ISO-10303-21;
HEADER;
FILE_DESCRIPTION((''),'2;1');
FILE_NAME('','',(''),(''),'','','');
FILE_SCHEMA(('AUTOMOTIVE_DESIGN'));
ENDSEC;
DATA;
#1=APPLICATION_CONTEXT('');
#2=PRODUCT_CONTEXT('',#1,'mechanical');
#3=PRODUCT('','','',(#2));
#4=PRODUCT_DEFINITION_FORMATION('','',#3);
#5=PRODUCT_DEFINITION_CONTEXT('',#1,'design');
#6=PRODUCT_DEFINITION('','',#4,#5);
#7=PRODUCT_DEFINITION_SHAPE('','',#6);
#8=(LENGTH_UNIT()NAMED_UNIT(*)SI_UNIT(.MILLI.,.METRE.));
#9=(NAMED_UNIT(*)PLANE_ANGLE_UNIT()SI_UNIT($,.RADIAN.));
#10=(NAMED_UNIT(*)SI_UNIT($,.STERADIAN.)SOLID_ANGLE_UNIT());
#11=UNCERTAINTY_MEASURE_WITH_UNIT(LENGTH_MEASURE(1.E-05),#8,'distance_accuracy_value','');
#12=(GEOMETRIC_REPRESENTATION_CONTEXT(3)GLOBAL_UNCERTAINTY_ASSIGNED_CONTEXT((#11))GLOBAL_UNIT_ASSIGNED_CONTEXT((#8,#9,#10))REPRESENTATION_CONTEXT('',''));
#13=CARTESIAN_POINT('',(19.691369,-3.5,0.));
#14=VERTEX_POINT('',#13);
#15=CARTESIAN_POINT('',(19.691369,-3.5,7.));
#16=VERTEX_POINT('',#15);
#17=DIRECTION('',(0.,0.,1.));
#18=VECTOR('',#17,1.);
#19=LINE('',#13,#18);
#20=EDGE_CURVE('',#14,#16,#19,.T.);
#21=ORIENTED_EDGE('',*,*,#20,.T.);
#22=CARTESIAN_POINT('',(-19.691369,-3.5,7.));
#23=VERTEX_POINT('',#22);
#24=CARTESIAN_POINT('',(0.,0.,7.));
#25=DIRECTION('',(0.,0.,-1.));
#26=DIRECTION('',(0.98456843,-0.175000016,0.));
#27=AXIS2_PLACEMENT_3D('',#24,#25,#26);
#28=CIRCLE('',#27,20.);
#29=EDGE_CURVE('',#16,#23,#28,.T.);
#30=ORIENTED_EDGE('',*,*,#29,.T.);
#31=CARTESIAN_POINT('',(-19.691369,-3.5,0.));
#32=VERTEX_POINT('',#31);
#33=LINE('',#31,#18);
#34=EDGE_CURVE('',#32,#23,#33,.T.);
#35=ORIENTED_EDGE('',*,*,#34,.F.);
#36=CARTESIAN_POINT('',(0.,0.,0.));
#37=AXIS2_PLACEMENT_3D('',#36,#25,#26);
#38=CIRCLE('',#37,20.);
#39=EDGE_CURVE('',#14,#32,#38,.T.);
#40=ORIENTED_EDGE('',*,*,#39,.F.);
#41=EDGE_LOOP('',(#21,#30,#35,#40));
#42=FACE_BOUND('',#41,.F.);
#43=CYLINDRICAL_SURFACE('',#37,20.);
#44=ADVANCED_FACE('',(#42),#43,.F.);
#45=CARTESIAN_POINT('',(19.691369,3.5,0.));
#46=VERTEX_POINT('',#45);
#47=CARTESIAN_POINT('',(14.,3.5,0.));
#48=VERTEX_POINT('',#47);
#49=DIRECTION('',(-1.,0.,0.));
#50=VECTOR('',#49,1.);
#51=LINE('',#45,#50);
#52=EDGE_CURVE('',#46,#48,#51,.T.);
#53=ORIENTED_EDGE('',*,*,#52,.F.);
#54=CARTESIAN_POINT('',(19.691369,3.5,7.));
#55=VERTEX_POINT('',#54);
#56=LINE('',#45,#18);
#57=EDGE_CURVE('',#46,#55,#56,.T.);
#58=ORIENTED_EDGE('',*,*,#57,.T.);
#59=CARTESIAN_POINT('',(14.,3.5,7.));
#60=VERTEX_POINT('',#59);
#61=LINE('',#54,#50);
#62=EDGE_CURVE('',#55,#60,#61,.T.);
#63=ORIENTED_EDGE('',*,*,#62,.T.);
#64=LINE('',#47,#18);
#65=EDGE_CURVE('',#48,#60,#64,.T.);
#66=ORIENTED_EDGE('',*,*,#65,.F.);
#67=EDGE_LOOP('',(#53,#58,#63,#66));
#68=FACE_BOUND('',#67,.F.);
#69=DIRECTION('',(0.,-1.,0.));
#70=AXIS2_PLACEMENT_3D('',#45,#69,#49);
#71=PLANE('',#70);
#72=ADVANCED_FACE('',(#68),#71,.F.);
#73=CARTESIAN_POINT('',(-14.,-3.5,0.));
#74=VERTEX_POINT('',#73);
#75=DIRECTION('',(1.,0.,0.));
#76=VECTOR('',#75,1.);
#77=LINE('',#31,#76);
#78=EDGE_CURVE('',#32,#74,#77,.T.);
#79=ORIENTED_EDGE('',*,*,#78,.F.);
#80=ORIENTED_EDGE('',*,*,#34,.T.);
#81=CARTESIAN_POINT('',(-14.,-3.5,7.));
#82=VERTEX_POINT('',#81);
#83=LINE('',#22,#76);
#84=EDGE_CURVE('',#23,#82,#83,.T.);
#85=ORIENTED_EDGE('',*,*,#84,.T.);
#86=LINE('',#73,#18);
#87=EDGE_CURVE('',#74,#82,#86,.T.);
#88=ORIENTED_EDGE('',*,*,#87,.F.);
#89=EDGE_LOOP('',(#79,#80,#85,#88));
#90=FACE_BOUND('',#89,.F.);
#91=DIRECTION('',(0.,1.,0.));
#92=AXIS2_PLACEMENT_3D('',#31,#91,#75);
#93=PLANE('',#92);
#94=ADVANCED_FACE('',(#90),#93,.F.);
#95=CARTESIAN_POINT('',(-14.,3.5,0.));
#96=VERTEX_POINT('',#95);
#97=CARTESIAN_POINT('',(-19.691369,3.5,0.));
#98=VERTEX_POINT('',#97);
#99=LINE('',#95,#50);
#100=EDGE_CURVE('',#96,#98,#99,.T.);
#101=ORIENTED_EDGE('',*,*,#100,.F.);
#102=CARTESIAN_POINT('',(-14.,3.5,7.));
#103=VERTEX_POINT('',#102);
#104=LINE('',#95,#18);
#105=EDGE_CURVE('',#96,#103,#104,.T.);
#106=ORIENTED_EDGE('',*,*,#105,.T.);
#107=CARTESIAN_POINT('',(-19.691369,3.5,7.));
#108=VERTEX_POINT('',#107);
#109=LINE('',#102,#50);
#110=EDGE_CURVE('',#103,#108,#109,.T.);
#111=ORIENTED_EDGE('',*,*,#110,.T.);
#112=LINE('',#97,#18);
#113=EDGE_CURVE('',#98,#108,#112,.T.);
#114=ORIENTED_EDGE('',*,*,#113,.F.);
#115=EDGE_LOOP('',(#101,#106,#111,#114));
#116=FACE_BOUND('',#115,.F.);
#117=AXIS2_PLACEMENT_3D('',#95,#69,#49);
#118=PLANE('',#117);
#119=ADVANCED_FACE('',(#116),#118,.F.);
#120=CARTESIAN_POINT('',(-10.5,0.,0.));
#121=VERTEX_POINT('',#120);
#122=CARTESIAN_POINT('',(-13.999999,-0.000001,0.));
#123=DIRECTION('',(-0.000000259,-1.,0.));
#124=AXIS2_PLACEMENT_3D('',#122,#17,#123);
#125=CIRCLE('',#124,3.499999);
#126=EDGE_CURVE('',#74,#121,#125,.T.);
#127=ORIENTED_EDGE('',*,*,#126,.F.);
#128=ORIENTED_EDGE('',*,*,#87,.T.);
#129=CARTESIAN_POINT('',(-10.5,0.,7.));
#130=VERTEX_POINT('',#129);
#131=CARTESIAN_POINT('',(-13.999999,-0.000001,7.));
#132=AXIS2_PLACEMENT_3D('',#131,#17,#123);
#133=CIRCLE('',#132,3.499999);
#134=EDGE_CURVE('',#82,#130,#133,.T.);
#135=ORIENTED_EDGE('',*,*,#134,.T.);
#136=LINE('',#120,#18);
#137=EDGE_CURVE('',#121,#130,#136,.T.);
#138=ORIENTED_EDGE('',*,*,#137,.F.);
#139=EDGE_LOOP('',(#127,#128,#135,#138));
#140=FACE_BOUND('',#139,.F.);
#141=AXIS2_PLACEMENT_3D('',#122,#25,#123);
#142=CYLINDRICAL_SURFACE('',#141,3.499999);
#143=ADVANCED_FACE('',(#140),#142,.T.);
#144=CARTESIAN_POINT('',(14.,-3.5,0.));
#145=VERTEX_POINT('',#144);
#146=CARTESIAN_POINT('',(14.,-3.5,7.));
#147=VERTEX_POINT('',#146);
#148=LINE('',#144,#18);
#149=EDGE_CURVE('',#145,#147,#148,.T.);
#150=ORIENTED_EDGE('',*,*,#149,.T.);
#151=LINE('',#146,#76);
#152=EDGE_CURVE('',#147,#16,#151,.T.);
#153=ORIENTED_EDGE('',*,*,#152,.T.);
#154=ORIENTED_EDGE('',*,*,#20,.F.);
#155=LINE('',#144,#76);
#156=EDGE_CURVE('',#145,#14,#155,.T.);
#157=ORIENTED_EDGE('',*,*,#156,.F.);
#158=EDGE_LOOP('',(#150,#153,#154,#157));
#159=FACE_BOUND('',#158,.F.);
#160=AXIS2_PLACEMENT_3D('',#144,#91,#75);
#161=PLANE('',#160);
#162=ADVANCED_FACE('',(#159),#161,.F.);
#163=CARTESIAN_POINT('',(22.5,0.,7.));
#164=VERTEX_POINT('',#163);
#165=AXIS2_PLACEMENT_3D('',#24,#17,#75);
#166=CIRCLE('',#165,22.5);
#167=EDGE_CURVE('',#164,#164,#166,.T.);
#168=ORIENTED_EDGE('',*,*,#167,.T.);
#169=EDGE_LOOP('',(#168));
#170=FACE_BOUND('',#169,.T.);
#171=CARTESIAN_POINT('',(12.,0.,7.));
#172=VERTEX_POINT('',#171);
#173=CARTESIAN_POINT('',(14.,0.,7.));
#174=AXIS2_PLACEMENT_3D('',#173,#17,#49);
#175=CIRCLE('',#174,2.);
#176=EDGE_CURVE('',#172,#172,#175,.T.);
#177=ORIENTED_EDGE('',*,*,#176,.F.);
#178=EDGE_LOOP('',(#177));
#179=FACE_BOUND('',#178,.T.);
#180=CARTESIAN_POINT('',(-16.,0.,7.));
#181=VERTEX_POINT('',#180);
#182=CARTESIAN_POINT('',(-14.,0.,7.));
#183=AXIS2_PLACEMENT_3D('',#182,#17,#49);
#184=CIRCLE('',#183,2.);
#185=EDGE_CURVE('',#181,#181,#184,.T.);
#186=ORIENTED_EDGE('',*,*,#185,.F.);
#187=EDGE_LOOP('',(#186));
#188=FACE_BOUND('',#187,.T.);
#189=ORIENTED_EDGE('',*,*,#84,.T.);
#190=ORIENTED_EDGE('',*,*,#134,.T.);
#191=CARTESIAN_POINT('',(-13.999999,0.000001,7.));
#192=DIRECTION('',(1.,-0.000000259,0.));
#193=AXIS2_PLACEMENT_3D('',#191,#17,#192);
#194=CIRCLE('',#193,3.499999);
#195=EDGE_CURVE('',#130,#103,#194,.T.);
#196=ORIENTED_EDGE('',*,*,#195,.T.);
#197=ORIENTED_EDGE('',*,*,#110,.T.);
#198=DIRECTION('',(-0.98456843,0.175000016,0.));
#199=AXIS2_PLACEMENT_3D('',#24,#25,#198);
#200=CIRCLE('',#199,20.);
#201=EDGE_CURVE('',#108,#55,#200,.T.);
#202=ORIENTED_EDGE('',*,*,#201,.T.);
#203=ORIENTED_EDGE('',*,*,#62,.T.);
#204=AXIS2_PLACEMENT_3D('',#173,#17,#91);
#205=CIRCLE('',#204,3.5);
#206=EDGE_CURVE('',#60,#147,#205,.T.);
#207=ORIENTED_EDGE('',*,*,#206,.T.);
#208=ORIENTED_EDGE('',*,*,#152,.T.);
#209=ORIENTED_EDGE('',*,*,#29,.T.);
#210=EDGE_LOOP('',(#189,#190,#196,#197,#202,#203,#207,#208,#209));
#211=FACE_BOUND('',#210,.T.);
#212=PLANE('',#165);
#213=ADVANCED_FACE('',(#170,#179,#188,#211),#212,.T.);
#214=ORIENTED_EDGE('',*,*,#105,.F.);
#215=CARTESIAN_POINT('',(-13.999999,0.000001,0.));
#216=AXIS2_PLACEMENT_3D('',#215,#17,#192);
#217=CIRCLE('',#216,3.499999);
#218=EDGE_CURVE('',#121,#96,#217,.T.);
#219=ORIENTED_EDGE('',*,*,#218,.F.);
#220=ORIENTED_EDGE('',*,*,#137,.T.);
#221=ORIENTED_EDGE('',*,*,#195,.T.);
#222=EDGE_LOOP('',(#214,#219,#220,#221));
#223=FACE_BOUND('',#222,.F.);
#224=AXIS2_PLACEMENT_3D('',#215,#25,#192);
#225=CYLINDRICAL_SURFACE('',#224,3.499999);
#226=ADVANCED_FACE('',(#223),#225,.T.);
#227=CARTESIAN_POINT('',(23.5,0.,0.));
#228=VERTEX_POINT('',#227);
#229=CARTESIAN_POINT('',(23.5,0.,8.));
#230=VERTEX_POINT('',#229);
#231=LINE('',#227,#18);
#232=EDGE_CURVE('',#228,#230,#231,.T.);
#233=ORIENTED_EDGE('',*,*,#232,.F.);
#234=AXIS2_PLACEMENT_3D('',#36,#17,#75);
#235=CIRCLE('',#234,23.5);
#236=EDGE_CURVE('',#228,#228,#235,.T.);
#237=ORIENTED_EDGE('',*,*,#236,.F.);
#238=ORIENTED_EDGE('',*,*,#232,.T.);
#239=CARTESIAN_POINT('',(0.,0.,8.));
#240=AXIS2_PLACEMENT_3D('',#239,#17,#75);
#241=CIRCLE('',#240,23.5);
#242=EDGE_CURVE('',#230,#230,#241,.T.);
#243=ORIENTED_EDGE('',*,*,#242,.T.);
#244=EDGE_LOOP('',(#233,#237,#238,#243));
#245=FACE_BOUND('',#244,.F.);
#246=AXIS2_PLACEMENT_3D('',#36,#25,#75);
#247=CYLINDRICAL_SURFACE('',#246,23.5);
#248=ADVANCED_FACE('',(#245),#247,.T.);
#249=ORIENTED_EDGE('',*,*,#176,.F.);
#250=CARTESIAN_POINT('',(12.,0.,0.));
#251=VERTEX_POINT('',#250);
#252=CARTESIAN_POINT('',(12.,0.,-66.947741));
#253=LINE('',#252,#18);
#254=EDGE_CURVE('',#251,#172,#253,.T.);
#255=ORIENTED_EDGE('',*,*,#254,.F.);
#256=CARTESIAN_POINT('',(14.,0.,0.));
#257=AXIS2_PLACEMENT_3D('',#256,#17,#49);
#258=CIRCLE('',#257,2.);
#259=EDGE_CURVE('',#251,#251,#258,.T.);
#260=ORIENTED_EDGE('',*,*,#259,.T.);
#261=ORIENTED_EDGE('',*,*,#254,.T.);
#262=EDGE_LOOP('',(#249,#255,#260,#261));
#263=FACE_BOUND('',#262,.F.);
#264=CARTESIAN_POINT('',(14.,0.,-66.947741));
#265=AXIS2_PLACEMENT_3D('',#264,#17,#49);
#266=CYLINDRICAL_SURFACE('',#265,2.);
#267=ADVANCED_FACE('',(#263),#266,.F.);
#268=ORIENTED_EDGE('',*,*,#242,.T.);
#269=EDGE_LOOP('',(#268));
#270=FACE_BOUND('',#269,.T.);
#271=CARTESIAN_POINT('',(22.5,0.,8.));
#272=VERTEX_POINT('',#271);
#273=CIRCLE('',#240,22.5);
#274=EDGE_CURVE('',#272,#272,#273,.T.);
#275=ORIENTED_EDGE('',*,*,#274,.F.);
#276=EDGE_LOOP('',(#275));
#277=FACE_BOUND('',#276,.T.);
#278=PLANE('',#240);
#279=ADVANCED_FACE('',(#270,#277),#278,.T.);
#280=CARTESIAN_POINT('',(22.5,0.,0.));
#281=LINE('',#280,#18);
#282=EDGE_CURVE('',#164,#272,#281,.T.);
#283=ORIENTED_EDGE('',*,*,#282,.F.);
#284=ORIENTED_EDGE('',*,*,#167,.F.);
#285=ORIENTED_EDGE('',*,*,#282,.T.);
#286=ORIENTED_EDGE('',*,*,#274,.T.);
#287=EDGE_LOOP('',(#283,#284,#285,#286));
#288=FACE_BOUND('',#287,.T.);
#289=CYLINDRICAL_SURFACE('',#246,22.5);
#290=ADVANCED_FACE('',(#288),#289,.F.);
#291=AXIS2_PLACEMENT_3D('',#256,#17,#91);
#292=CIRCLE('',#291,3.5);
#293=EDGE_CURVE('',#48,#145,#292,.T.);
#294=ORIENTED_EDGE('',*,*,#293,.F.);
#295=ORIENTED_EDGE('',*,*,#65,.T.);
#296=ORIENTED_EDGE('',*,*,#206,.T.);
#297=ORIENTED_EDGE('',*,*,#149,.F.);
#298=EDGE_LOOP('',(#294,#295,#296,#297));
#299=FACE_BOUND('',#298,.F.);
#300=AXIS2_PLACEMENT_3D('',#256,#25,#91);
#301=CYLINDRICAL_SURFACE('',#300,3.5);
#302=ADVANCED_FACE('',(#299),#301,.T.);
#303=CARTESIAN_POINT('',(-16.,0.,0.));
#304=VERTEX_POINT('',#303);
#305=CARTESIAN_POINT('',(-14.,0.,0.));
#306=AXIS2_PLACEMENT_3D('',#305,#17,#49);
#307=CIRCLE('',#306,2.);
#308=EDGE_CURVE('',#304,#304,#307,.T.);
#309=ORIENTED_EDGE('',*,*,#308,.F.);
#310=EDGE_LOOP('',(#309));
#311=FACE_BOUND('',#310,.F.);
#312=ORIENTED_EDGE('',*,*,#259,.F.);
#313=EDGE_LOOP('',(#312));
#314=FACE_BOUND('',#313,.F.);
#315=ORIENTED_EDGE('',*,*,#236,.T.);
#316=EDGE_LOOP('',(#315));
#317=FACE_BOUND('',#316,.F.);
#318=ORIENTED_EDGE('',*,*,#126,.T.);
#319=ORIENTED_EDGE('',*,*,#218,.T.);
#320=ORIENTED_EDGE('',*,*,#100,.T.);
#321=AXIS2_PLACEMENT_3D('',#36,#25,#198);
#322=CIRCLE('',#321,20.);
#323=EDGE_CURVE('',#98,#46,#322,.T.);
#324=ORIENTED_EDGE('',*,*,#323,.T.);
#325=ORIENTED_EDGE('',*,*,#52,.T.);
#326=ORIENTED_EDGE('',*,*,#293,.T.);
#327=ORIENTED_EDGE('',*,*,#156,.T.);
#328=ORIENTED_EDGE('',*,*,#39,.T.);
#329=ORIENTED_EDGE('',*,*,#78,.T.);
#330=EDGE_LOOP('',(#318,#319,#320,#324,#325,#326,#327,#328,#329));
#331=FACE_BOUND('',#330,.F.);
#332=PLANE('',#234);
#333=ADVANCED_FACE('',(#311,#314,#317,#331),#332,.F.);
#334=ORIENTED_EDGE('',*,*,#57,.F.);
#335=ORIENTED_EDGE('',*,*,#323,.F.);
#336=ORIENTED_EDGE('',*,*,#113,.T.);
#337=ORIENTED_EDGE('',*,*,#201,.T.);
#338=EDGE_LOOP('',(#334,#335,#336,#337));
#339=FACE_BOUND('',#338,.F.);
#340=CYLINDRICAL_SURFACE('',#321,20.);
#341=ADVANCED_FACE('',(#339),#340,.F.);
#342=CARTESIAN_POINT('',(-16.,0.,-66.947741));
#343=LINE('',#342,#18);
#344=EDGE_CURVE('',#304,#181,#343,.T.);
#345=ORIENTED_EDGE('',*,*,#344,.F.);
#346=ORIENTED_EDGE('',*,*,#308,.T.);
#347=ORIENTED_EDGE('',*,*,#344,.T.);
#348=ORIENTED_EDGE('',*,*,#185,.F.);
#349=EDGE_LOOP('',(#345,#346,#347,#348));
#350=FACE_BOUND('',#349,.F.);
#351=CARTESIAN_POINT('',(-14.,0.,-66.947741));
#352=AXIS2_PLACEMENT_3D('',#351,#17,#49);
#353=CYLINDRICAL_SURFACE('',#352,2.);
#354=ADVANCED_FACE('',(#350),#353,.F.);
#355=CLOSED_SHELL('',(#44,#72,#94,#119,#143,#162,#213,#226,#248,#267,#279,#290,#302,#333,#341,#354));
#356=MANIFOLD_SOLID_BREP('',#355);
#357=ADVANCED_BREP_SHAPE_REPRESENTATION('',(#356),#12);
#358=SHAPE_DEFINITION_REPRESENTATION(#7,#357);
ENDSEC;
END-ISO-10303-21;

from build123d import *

# Parameters (mm, degrees)
F0_R     = 22.5
F1_DEPTH = 7
F0_R_2   = 23.5
F2_DEPTH = 8
F3_D     = 4


with BuildPart() as f1:
    # F0 (on Top) → F1 (new body)
    with BuildSketch(Plane.XY):
        Circle(F0_R)
        with BuildLine():
            ThreePointArc((19.691369, 3.5), (19.922693, 1.756791), (20, 0))
            ThreePointArc((20, 0), (19.922693, -1.756791), (19.691369, -3.5))
            ThreePointArc((19.691369, -3.5), (0, -20), (-19.691369, -3.5))
            ThreePointArc((-19.691369, -3.5), (-20, 0), (-19.691369, 3.5))
            ThreePointArc((-19.691369, 3.5), (0, 20), (19.691369, 3.5))
        make_face(mode=Mode.SUBTRACT)
        with BuildLine():
            Line((-14, 3.5), (-19.691369, 3.5))
            ThreePointArc((-19.691369, 3.5), (-20, 0), (-19.691369, -3.5))
            Line((-19.691369, -3.5), (-14, -3.5))
            ThreePointArc((-14, -3.5), (-17.5, 0), (-14, 3.5))
        make_face()
        with BuildLine():
            ThreePointArc((-10.5, 0), (-11.525126, 2.474874), (-14, 3.5))
            ThreePointArc((-14, 3.5), (-17.5, 0), (-14, -3.5))
            ThreePointArc((-14, -3.5), (-11.525126, -2.474874), (-10.5, 0))
        make_face()
        with BuildLine():
            ThreePointArc((17.5, 0), (16.474874, 2.474874), (14, 3.5))
            ThreePointArc((14, 3.5), (10.5, 0), (14, -3.5))
            ThreePointArc((14, -3.5), (16.474874, -2.474874), (17.5, 0))
        make_face()
        with BuildLine():
            ThreePointArc((19.691369, -3.5), (19.922693, -1.756791), (20, 0))
            ThreePointArc((20, 0), (19.922693, 1.756791), (19.691369, 3.5))
            Line((19.691369, 3.5), (14, 3.5))
            ThreePointArc((14, 3.5), (16.474874, 2.474874), (17.5, 0))
            ThreePointArc((17.5, 0), (16.474874, -2.474874), (14, -3.5))
            Line((14, -3.5), (19.691369, -3.5))
        make_face()
    extrude(amount=F1_DEPTH)

    # F0 (on Top) → F2 (join)
    with BuildSketch(Plane.XY):
        Circle(F0_R_2)
        Circle(F0_R, mode=Mode.SUBTRACT)
    extrude(amount=F2_DEPTH)

    # F3 (through all)
    with Locations(Plane(origin=(0, 0, 0), x_dir=(1, 0, 0), z_dir=(0, 0, -1))):
        with Locations((-14, 0), (14, 0)):
            Hole(F3_D / 2)


solid = f1.part
